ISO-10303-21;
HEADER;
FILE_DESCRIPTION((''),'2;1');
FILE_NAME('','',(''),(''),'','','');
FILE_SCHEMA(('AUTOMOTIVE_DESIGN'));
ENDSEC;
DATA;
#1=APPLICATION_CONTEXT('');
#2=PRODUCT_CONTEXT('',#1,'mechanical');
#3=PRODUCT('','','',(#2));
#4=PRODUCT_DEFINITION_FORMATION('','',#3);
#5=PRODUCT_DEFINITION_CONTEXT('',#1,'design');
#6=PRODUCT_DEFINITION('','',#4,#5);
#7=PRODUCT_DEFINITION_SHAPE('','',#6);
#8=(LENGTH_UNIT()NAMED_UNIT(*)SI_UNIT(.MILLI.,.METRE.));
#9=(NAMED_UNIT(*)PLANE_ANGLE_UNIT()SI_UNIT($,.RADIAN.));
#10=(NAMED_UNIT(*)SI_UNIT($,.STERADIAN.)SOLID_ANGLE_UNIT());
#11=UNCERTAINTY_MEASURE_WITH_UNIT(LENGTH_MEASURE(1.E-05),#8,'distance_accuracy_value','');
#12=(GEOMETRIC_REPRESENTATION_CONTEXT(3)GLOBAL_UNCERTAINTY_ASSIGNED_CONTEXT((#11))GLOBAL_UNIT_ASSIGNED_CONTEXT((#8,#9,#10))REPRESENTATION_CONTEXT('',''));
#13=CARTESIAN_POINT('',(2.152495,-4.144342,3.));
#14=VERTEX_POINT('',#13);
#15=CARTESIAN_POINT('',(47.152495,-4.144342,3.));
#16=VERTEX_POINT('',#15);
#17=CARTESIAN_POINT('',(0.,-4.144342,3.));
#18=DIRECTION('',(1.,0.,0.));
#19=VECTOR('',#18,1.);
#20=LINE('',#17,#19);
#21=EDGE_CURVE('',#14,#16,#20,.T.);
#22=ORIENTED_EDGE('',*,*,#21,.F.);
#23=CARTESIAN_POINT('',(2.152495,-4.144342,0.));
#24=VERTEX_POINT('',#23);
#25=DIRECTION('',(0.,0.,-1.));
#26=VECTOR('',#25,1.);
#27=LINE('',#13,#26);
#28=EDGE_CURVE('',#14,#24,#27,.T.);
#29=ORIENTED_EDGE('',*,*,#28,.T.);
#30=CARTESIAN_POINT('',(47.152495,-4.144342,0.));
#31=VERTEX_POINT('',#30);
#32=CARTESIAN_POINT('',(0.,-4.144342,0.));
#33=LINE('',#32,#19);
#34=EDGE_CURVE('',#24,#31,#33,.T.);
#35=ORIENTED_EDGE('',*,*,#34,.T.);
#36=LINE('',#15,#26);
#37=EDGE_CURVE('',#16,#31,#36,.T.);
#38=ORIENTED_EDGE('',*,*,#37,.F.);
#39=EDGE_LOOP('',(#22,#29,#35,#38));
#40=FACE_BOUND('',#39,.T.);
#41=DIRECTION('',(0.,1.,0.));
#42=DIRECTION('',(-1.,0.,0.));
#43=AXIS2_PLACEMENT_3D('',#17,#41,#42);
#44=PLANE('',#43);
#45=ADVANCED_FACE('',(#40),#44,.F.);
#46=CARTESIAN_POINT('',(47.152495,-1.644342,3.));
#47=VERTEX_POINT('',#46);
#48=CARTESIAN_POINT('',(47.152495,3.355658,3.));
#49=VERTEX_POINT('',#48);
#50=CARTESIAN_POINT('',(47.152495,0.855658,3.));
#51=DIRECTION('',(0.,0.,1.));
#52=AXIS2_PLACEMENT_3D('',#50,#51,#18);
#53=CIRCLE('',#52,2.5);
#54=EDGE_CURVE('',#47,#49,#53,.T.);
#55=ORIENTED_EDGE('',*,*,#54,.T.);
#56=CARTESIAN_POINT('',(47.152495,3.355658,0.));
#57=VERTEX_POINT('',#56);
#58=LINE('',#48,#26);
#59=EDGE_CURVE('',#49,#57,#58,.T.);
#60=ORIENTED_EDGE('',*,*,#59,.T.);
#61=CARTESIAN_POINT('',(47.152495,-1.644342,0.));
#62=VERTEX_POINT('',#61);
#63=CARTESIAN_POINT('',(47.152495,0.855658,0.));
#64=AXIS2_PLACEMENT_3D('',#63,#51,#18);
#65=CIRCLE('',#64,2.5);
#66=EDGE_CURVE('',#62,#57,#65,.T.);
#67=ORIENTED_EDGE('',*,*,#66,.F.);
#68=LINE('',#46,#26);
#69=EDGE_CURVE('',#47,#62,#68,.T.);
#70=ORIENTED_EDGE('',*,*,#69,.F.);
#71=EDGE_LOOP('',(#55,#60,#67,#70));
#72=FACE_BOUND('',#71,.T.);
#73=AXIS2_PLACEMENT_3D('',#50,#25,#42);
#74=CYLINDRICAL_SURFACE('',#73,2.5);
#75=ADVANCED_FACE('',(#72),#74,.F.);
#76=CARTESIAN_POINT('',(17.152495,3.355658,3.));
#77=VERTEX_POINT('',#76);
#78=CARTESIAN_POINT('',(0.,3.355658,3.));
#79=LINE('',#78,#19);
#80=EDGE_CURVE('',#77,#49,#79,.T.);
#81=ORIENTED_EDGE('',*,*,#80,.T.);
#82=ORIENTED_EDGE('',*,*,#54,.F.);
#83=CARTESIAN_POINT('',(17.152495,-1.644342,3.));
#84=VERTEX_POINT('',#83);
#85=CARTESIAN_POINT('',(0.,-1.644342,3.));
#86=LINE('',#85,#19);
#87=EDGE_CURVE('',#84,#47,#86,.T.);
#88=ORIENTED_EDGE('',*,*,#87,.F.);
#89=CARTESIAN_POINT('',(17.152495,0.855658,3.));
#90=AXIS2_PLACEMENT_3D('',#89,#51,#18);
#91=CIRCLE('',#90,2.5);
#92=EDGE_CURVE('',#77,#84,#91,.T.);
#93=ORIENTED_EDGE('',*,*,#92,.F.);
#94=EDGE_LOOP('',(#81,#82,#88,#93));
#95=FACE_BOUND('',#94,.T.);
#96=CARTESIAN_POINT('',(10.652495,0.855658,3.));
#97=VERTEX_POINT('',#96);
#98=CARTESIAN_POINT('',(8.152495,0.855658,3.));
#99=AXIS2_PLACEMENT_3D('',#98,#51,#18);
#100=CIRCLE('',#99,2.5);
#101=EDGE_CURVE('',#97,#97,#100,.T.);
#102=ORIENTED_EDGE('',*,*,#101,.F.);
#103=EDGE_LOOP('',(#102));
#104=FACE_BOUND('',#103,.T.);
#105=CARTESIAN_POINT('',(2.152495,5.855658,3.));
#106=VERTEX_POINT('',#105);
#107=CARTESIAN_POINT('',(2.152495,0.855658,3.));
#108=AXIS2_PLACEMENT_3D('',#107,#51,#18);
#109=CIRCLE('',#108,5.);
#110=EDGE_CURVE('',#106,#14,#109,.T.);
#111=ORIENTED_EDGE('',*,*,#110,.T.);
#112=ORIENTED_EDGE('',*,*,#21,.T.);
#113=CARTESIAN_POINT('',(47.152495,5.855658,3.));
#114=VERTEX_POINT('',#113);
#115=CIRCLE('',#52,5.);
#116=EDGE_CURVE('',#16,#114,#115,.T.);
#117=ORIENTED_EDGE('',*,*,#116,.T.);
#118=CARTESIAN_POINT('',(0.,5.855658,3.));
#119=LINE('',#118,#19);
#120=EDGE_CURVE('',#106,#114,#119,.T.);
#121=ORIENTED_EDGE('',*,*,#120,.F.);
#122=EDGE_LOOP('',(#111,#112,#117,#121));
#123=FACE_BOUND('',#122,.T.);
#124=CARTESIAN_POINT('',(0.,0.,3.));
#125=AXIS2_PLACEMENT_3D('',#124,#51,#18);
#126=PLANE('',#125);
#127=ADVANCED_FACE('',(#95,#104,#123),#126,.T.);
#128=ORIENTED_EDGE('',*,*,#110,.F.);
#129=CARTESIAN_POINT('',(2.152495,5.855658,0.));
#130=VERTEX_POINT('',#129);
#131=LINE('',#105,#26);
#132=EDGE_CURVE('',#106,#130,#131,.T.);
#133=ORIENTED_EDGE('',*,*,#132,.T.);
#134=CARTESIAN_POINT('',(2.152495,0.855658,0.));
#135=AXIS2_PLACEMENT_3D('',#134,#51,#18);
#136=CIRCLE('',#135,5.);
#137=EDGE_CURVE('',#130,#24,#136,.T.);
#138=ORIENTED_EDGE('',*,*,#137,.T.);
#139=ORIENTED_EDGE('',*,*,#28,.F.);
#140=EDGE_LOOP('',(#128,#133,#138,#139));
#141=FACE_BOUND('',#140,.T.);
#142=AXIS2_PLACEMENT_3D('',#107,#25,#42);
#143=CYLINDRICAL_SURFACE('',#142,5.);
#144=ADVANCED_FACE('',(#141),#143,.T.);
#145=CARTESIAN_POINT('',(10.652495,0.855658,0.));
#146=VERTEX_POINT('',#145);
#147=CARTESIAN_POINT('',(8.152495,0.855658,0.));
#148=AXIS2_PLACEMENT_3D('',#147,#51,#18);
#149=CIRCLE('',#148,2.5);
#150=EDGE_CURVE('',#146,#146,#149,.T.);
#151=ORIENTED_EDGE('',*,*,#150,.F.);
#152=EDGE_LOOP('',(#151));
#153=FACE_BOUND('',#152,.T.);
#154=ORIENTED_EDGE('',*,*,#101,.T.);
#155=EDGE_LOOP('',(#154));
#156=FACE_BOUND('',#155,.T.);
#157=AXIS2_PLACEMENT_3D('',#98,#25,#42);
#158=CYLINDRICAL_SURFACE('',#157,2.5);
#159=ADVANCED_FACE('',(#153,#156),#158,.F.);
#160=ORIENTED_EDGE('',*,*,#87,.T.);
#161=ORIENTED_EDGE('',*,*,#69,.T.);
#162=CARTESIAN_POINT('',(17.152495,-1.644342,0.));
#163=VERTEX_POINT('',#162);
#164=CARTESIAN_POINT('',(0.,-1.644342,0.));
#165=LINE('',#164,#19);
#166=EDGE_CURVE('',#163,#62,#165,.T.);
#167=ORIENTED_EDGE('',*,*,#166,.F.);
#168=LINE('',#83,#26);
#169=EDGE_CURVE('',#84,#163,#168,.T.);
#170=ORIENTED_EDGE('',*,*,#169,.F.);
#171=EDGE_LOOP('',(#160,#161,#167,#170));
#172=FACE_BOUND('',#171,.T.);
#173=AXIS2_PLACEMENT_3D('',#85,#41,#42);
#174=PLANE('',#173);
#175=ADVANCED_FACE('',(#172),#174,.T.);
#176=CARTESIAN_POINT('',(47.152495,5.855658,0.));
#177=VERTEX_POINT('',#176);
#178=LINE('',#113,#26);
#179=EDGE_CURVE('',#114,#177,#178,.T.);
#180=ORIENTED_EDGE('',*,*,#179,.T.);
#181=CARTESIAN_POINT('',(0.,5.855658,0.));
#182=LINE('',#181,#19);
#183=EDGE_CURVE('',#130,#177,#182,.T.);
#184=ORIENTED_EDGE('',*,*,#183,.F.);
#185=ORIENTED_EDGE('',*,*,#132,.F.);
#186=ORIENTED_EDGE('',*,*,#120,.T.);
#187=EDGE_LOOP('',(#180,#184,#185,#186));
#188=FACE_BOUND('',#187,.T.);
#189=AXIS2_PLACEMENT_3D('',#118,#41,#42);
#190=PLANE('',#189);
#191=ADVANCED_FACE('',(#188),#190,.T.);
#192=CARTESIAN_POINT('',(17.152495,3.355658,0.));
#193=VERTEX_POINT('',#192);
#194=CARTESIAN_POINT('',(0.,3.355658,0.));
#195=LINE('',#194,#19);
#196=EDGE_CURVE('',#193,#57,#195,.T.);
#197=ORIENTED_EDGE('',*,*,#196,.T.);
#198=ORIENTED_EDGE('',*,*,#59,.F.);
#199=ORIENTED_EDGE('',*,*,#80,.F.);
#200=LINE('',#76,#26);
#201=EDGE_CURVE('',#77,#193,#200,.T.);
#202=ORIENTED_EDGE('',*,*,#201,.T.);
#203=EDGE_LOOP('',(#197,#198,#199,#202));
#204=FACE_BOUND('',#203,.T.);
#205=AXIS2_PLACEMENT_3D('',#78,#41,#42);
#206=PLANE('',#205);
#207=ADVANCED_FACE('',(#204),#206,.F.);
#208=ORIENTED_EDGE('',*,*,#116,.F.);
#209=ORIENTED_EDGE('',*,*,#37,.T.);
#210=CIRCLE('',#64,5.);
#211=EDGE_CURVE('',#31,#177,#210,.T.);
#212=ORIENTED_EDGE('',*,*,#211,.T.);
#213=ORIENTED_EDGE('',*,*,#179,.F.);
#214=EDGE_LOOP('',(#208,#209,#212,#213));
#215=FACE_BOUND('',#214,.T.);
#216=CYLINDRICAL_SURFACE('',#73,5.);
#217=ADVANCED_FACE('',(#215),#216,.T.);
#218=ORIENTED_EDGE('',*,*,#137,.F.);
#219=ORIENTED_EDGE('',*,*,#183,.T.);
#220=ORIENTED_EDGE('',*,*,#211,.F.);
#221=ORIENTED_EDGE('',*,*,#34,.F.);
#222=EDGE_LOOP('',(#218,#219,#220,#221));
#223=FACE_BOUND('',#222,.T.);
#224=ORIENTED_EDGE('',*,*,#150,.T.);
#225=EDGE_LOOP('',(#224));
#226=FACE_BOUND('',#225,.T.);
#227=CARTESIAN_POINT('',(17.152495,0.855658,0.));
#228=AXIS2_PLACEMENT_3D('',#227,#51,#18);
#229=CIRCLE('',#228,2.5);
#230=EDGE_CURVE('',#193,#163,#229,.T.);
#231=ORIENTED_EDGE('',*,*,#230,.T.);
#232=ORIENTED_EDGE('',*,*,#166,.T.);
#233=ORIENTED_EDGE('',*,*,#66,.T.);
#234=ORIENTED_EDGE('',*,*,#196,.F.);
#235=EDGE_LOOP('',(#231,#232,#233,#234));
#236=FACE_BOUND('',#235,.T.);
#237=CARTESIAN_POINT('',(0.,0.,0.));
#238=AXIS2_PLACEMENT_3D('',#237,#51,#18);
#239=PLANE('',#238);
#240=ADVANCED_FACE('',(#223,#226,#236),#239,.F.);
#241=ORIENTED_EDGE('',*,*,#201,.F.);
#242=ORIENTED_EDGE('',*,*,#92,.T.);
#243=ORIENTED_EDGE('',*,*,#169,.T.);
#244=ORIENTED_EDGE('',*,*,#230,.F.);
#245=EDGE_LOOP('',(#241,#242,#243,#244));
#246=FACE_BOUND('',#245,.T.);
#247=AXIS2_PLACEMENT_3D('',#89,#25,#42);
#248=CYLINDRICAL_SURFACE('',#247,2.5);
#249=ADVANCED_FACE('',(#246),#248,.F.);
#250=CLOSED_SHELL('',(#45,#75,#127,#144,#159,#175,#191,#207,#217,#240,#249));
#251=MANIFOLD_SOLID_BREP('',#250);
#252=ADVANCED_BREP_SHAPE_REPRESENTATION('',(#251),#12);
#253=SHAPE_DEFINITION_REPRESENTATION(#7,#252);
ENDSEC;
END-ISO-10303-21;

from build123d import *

# Parameters (mm, degrees)
SKETCH2_R           = 2.5
BOSS_EXTRUDE1_DEPTH = 3


with BuildPart() as part:
    # Sketch2 → Boss-Extrude1 (new body)
    with BuildSketch(Plane.XY):
        with BuildLine():
            Line((2.152494721, 5.855657737), (47.152494721, 5.855657737))
            ThreePointArc((47.152494721, 5.855657737), (52.152494721, 0.855657737), (47.152494721, -4.144342263))
            Line((47.152494721, -4.144342263), (2.152494721, -4.144342263))
            ThreePointArc((2.152494721, -4.144342263), (-2.847505279, 0.855657737), (2.152494721, 5.855657737))
        make_face()
        with Locations((8.152494721, 0.855657737)):
            Circle(SKETCH2_R, mode=Mode.SUBTRACT)
        with BuildLine():
            Line((17.152494721, 3.355657737), (47.152494721, 3.355657737))
            ThreePointArc((47.152494721, 3.355657737), (49.652494721, 0.855657737), (47.152494721, -1.644342263))
            Line((47.152494721, -1.644342263), (17.152494721, -1.644342263))
            ThreePointArc((17.152494721, -1.644342263), (14.652494721, 0.855657737), (17.152494721, 3.355657737))
        make_face(mode=Mode.SUBTRACT)
    extrude(amount=BOSS_EXTRUDE1_DEPTH)


solid = part.part
